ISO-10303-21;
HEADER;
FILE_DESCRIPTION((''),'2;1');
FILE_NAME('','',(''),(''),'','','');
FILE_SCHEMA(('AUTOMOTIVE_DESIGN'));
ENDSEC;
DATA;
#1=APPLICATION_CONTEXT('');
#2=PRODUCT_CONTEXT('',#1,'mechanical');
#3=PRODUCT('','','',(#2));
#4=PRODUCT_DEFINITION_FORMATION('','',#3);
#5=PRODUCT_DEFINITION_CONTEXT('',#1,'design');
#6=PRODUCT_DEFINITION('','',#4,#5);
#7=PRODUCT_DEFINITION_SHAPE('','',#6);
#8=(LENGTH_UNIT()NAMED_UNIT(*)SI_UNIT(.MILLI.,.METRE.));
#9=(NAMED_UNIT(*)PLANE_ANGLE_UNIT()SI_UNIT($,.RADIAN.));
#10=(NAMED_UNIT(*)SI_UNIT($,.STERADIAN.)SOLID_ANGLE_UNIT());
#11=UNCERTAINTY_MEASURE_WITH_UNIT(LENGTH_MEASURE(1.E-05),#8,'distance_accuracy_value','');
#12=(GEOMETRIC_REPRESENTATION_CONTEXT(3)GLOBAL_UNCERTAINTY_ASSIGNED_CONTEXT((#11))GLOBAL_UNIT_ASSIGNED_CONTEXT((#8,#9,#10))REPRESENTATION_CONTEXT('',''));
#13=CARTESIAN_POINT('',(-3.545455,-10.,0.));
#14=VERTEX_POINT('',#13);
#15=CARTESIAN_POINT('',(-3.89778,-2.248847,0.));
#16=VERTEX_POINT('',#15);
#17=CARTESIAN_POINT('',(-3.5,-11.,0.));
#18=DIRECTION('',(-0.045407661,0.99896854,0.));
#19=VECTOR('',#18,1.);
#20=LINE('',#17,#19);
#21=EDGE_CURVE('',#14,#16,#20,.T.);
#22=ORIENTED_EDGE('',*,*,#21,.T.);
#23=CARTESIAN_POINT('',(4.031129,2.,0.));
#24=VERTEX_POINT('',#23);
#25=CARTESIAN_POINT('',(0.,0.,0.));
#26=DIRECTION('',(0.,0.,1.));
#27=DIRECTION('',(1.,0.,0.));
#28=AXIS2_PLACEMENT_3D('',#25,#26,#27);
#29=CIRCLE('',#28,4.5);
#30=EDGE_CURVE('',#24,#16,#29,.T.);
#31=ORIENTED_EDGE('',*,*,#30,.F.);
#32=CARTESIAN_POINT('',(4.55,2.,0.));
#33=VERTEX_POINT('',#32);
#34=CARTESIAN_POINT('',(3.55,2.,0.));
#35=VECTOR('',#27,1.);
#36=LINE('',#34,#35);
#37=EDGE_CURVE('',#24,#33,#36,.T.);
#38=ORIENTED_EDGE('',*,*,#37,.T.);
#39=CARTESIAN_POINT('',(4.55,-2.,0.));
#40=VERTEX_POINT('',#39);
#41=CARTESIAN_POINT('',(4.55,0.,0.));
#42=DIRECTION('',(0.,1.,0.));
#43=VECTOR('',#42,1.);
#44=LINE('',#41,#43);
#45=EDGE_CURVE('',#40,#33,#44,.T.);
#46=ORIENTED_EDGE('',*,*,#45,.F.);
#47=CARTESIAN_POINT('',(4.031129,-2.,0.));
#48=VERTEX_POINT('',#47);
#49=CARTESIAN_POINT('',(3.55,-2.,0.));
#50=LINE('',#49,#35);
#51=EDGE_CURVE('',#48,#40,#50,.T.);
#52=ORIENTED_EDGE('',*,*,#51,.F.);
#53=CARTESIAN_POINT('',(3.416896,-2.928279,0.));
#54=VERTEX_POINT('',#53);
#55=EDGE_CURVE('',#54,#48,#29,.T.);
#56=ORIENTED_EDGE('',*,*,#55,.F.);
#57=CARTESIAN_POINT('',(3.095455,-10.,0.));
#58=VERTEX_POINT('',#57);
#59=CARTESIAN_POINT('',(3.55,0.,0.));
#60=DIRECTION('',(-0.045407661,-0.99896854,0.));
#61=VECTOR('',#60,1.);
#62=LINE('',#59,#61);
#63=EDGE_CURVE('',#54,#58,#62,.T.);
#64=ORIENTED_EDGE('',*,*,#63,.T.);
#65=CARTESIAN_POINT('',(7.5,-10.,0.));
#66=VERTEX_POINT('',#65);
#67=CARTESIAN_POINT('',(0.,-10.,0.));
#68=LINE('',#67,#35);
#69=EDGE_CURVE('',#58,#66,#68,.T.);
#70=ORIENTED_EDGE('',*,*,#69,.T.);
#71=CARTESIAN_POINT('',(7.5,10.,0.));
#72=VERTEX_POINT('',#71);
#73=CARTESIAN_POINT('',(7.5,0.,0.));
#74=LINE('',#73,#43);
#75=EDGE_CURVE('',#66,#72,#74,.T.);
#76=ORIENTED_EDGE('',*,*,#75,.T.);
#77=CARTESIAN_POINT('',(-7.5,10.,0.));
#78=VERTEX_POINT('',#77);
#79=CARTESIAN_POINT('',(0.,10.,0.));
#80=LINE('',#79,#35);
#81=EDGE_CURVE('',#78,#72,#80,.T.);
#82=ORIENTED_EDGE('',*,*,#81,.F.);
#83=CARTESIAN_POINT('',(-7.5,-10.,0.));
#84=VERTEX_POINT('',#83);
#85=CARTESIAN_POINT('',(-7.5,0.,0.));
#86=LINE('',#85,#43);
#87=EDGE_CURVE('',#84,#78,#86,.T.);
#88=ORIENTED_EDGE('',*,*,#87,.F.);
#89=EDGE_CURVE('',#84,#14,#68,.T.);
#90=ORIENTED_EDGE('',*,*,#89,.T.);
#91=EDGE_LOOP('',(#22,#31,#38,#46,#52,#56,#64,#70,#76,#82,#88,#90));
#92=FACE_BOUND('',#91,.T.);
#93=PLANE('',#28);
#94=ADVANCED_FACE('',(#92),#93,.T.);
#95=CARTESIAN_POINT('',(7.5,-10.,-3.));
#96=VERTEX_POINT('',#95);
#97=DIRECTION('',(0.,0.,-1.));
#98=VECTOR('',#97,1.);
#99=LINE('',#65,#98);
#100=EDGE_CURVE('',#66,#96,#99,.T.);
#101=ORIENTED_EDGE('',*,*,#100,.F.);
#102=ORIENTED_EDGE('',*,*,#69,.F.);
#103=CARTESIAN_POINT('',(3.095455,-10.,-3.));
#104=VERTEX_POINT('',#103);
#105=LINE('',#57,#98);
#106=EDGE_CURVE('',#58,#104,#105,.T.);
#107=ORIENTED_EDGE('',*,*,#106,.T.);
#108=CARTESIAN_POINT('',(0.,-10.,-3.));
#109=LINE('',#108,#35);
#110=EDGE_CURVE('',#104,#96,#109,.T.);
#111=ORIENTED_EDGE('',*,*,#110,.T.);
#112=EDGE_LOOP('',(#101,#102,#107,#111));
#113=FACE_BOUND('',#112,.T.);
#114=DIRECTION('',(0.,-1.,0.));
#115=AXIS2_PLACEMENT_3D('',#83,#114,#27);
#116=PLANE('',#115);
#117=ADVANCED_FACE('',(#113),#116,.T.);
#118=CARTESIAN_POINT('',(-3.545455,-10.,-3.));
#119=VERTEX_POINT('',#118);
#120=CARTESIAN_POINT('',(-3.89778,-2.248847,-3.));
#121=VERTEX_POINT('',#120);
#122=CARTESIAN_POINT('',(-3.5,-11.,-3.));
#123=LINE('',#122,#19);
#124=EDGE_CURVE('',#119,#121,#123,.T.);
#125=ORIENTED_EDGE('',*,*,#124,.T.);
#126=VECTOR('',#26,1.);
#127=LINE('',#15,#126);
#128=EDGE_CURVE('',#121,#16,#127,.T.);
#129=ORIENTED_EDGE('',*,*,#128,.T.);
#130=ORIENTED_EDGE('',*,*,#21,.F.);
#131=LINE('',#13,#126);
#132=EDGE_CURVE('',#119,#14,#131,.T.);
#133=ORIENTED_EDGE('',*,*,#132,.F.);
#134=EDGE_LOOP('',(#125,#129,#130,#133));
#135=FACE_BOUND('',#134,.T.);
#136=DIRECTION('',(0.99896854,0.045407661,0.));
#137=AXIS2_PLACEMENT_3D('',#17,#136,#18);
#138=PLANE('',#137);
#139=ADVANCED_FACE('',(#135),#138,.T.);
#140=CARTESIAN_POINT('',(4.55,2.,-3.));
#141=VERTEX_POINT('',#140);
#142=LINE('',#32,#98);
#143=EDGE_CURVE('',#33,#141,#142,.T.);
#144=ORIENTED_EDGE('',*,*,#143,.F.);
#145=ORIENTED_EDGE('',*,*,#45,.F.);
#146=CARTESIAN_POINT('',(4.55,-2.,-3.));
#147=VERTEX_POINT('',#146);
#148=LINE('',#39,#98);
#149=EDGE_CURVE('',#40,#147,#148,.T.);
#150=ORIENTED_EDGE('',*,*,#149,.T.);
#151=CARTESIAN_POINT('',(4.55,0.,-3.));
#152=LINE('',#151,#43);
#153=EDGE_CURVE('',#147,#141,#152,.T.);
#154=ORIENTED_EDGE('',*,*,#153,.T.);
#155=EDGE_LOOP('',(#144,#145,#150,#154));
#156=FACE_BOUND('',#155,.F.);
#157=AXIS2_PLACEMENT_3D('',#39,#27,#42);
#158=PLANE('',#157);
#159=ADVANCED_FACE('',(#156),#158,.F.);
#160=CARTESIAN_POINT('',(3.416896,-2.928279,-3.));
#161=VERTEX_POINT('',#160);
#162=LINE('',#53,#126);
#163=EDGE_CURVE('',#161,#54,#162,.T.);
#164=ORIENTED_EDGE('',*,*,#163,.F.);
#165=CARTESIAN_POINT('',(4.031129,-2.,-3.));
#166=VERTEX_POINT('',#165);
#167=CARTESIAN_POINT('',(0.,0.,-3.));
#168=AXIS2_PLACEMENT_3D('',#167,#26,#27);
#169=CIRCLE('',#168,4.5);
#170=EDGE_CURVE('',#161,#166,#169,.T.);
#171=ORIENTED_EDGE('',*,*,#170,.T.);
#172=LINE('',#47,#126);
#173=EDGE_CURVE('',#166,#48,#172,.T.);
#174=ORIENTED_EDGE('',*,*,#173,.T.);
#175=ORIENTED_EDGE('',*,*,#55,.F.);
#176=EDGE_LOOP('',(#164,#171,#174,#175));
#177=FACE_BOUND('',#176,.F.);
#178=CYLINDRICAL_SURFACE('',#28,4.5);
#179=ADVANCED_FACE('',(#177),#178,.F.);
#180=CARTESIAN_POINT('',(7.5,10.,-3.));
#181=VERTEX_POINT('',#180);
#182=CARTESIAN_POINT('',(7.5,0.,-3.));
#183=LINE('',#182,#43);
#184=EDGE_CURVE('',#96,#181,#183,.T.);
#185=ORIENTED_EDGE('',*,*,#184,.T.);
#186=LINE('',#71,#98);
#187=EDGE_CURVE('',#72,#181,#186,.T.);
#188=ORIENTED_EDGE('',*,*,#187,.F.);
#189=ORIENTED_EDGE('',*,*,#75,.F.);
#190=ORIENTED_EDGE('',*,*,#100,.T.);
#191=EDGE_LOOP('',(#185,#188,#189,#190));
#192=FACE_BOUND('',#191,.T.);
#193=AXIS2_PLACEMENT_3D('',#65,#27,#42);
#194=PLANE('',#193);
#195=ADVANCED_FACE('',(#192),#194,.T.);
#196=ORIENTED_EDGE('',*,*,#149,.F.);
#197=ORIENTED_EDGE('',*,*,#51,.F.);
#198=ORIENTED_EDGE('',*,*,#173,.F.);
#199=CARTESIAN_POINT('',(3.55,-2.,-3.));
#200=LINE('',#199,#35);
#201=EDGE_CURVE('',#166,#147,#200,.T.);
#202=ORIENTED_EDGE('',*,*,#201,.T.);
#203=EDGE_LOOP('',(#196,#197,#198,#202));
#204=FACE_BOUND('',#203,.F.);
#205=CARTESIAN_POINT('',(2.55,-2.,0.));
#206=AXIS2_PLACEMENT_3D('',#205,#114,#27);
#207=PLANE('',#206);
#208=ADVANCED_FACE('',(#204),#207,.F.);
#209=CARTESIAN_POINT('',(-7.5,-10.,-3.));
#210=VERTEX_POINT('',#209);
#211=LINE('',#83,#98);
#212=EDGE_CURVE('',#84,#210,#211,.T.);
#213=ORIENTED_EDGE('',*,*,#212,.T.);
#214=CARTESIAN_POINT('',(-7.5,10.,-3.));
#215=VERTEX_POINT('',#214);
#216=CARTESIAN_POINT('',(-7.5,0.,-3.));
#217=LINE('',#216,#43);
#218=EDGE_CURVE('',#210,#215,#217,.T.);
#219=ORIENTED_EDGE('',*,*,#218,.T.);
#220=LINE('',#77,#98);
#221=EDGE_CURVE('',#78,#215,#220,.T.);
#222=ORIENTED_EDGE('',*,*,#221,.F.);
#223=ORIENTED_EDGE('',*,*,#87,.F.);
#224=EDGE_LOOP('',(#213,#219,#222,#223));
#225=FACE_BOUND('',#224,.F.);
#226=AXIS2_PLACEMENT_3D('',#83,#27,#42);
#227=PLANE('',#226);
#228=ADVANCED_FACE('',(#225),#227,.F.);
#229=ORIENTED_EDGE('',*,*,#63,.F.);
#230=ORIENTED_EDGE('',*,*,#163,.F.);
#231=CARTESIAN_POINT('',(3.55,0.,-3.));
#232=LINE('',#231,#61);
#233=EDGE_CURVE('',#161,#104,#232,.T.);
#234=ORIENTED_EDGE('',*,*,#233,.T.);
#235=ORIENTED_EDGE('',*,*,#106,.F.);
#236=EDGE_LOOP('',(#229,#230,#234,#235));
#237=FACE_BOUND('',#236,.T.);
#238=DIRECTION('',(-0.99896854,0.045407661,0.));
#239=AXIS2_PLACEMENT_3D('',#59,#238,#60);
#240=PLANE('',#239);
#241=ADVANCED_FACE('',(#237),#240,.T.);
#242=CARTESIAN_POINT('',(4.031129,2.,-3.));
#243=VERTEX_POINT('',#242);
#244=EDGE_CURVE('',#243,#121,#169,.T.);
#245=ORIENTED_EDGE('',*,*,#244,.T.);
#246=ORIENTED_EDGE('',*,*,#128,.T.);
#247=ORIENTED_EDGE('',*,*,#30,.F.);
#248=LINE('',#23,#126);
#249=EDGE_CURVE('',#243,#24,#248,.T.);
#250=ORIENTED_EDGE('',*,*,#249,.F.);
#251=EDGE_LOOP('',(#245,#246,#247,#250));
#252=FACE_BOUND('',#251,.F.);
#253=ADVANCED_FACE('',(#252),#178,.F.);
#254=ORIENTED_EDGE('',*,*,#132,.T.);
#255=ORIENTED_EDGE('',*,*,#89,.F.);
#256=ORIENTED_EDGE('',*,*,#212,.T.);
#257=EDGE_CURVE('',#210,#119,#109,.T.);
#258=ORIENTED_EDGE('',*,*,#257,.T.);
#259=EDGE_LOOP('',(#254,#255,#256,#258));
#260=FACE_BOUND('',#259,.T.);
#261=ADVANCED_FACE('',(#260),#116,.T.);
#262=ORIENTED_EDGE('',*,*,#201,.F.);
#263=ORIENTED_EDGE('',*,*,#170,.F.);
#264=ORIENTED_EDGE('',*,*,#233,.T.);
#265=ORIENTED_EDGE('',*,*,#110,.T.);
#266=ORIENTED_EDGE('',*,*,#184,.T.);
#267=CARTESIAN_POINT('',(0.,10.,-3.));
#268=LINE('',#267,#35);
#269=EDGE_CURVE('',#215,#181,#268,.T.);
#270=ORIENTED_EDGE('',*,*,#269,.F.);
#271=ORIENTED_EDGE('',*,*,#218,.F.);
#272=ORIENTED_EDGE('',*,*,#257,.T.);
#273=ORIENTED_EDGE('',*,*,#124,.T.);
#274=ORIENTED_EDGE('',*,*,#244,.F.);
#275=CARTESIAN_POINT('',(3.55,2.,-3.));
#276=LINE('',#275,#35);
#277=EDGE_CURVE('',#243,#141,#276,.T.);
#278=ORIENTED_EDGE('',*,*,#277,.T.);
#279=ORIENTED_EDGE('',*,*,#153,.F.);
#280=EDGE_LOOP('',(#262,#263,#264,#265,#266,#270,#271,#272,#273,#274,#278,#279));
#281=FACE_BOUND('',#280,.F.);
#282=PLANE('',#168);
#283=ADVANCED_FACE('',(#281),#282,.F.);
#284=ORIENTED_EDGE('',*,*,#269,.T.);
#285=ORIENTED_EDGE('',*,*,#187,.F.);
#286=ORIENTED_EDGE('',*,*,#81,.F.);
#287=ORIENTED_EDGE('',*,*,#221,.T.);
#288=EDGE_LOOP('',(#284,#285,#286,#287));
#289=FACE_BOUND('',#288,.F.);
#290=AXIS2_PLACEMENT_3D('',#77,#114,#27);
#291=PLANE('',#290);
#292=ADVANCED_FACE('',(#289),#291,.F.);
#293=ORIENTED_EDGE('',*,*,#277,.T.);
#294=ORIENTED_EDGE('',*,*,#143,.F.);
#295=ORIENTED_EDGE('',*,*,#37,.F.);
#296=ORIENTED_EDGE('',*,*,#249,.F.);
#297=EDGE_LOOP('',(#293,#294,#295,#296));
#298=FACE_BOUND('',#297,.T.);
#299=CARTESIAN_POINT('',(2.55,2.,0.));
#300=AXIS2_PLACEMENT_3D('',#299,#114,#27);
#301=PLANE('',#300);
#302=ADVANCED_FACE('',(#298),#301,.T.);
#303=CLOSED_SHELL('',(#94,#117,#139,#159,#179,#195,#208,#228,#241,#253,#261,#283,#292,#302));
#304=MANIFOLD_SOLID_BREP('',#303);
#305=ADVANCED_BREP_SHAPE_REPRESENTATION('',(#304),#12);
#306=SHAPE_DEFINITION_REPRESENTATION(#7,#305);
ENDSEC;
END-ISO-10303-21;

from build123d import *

# Parameters (mm, degrees)
SKETCH001_W     = 15
SKETCH001_H     = 20
PAD_DEPTH       = 3
SKETCH_R        = 4.5
POCKET_DEPTH    = 3
SKETCH002_W     = 2
SKETCH002_H     = 4
POCKET001_DEPTH = 3
POCKET002_DEPTH = 3


with BuildPart() as part:
    # Sketch001 → Pad (new body)
    with BuildSketch(Plane.XY):
        Rectangle(SKETCH001_W, SKETCH001_H)
    extrude(amount=-PAD_DEPTH)

    # Sketch → Pocket (cut)
    with BuildSketch(Plane.XY):
        Circle(SKETCH_R)
    extrude(amount=-POCKET_DEPTH, mode=Mode.SUBTRACT)

    # Sketch002 (on Face4 of Pocket) → Pocket001 (cut)
    with BuildSketch(Plane.XY):
        with Locations((3.55, 0)):
            Rectangle(SKETCH002_W, SKETCH002_H)
    extrude(amount=-POCKET001_DEPTH, mode=Mode.SUBTRACT)

    # Sketch003 (on Face4 of Pocket001) → Pocket002 (cut)
    with BuildSketch(Plane.XY):
        Polygon((3.05, -11), (-3.5, -11), (-4, 0), (3.55, 0), align=None)
    extrude(amount=-POCKET002_DEPTH, mode=Mode.SUBTRACT)


solid = part.part
